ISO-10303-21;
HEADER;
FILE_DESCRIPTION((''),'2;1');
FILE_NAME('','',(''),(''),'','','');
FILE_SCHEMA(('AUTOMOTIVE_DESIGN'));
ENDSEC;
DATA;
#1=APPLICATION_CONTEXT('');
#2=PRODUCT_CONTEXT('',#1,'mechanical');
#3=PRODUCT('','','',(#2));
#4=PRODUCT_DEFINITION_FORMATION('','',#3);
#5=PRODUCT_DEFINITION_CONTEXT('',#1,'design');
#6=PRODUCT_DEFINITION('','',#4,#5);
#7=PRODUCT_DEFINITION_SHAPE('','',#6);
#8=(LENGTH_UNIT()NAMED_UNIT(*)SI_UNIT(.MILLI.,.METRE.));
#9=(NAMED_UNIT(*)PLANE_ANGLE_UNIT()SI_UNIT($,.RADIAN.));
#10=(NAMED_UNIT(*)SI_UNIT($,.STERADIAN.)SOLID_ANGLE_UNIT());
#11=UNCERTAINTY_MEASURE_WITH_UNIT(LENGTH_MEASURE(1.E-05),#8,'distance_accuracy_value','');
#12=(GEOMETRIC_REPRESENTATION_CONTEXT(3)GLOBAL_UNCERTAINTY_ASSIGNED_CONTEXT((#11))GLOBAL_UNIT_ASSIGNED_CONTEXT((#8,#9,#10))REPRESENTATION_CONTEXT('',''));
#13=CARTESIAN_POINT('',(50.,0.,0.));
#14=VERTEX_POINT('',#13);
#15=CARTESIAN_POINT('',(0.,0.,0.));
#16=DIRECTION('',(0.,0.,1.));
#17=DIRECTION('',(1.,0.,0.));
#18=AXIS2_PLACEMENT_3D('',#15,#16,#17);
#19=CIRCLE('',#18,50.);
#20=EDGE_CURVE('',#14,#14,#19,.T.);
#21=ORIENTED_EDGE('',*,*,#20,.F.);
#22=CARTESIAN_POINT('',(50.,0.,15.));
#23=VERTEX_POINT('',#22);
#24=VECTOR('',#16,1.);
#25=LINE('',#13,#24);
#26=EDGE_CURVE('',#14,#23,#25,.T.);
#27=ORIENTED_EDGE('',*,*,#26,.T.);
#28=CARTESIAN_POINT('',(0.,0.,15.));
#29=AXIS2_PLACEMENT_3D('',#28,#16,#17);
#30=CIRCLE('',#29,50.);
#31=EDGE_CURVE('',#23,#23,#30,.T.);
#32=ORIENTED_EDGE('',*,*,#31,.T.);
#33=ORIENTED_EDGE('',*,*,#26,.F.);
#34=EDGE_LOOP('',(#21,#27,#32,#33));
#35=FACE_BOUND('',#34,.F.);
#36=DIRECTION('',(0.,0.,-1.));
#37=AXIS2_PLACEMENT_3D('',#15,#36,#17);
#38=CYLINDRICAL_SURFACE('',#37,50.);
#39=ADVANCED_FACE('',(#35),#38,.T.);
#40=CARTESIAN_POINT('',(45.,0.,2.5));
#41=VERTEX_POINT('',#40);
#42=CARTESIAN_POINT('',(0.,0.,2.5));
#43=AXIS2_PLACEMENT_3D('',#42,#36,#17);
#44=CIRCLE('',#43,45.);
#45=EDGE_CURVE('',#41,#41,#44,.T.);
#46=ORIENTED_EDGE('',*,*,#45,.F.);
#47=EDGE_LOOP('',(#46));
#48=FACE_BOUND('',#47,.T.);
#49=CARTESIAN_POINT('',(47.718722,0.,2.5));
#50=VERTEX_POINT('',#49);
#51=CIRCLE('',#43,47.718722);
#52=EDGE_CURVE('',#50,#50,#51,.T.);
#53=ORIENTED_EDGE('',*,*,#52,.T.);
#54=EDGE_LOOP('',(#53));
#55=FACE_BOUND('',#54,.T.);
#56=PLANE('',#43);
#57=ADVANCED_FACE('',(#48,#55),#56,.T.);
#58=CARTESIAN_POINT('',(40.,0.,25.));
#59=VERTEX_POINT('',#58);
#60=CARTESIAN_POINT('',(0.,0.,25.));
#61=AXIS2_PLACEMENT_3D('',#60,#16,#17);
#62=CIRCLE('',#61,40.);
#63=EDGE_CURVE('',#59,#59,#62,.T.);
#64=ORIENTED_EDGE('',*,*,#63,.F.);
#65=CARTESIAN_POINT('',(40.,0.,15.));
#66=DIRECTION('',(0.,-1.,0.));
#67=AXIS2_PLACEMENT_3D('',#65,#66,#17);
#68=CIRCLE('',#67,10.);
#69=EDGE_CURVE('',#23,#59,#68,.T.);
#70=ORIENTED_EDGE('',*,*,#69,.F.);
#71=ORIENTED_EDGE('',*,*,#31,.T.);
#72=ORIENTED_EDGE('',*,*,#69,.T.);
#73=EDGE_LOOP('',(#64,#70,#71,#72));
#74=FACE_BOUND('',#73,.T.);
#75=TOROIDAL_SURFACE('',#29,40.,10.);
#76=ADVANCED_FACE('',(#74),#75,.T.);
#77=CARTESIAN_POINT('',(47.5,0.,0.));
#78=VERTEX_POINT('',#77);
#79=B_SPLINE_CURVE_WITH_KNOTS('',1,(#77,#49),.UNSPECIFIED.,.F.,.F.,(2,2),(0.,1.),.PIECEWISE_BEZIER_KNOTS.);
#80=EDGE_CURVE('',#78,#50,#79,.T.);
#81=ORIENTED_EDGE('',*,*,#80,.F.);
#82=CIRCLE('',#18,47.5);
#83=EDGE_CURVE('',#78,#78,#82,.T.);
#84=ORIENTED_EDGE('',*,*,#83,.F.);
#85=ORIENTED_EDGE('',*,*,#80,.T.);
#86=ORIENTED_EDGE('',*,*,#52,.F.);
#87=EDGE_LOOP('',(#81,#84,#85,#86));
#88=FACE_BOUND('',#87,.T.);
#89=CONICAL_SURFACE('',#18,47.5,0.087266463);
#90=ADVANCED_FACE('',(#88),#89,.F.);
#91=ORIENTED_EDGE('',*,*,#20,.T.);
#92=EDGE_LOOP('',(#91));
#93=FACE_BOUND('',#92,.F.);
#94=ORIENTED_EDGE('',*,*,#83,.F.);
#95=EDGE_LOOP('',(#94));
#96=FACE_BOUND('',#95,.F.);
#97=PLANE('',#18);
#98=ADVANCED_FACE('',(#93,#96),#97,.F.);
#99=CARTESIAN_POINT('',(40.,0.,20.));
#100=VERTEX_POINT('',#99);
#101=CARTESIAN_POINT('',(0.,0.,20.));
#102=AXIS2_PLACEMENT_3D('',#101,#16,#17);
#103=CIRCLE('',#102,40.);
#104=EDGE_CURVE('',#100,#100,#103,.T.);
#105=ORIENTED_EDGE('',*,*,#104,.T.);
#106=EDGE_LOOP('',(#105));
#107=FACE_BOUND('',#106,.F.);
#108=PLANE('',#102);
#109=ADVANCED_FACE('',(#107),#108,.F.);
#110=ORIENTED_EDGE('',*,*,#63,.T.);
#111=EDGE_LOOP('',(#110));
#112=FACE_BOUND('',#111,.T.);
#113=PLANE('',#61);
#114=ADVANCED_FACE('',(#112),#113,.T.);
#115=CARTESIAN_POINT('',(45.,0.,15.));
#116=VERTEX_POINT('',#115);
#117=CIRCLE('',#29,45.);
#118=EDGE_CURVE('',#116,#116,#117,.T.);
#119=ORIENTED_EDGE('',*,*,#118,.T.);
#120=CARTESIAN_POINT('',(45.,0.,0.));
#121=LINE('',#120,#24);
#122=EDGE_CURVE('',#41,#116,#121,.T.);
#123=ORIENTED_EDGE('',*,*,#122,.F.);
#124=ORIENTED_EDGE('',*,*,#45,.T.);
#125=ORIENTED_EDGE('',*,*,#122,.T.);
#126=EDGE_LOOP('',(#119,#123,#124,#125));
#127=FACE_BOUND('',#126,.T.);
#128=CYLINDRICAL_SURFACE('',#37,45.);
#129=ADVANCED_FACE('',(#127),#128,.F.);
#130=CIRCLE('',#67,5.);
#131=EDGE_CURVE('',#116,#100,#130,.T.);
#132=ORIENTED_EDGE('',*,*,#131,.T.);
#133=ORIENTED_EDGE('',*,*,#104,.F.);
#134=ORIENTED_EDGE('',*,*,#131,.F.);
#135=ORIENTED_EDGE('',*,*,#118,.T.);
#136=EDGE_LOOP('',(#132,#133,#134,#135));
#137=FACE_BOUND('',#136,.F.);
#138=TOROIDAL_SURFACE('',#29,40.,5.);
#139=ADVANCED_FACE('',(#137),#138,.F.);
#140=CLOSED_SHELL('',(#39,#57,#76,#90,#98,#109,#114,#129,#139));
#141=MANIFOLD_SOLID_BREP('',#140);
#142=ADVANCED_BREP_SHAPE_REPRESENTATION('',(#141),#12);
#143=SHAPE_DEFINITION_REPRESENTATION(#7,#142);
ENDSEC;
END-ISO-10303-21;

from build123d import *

# Parameters (mm, degrees)
F0_R     = 50
F1_DEPTH = 25
F2_R     = 10
F3_T     = -5
F4_R     = 47.5
F4_R_2   = 45
F5_DEPTH = 2.5
F5_TAPER = -5


with BuildPart() as f1:
    # F0 (on Top) → F1 (new body)
    with BuildSketch(Plane.XY):
        Circle(F0_R)
    extrude(amount=F1_DEPTH)

    # F2
    f2_edges = [f1.edges().sort_by_distance(p)[0] for p in [
        (-50, 0, 25),
    ]]
    fillet(f2_edges, radius=F2_R)

    # F3
    f3_openings = [f1.faces().sort_by_distance(p)[0] for p in [
        (0, 0, 0),
    ]]
    offset(amount=F3_T, openings=f3_openings)

    # F4 (on face) → F5 (cut)
    with BuildSketch(Plane(origin=(0, 0, 0), x_dir=(1, 0, 0), z_dir=(0, 0, -1))):
        Circle(F4_R)
        Circle(F4_R_2, mode=Mode.SUBTRACT)
    extrude(amount=-F5_DEPTH, taper=F5_TAPER, mode=Mode.SUBTRACT)


solid = f1.part
